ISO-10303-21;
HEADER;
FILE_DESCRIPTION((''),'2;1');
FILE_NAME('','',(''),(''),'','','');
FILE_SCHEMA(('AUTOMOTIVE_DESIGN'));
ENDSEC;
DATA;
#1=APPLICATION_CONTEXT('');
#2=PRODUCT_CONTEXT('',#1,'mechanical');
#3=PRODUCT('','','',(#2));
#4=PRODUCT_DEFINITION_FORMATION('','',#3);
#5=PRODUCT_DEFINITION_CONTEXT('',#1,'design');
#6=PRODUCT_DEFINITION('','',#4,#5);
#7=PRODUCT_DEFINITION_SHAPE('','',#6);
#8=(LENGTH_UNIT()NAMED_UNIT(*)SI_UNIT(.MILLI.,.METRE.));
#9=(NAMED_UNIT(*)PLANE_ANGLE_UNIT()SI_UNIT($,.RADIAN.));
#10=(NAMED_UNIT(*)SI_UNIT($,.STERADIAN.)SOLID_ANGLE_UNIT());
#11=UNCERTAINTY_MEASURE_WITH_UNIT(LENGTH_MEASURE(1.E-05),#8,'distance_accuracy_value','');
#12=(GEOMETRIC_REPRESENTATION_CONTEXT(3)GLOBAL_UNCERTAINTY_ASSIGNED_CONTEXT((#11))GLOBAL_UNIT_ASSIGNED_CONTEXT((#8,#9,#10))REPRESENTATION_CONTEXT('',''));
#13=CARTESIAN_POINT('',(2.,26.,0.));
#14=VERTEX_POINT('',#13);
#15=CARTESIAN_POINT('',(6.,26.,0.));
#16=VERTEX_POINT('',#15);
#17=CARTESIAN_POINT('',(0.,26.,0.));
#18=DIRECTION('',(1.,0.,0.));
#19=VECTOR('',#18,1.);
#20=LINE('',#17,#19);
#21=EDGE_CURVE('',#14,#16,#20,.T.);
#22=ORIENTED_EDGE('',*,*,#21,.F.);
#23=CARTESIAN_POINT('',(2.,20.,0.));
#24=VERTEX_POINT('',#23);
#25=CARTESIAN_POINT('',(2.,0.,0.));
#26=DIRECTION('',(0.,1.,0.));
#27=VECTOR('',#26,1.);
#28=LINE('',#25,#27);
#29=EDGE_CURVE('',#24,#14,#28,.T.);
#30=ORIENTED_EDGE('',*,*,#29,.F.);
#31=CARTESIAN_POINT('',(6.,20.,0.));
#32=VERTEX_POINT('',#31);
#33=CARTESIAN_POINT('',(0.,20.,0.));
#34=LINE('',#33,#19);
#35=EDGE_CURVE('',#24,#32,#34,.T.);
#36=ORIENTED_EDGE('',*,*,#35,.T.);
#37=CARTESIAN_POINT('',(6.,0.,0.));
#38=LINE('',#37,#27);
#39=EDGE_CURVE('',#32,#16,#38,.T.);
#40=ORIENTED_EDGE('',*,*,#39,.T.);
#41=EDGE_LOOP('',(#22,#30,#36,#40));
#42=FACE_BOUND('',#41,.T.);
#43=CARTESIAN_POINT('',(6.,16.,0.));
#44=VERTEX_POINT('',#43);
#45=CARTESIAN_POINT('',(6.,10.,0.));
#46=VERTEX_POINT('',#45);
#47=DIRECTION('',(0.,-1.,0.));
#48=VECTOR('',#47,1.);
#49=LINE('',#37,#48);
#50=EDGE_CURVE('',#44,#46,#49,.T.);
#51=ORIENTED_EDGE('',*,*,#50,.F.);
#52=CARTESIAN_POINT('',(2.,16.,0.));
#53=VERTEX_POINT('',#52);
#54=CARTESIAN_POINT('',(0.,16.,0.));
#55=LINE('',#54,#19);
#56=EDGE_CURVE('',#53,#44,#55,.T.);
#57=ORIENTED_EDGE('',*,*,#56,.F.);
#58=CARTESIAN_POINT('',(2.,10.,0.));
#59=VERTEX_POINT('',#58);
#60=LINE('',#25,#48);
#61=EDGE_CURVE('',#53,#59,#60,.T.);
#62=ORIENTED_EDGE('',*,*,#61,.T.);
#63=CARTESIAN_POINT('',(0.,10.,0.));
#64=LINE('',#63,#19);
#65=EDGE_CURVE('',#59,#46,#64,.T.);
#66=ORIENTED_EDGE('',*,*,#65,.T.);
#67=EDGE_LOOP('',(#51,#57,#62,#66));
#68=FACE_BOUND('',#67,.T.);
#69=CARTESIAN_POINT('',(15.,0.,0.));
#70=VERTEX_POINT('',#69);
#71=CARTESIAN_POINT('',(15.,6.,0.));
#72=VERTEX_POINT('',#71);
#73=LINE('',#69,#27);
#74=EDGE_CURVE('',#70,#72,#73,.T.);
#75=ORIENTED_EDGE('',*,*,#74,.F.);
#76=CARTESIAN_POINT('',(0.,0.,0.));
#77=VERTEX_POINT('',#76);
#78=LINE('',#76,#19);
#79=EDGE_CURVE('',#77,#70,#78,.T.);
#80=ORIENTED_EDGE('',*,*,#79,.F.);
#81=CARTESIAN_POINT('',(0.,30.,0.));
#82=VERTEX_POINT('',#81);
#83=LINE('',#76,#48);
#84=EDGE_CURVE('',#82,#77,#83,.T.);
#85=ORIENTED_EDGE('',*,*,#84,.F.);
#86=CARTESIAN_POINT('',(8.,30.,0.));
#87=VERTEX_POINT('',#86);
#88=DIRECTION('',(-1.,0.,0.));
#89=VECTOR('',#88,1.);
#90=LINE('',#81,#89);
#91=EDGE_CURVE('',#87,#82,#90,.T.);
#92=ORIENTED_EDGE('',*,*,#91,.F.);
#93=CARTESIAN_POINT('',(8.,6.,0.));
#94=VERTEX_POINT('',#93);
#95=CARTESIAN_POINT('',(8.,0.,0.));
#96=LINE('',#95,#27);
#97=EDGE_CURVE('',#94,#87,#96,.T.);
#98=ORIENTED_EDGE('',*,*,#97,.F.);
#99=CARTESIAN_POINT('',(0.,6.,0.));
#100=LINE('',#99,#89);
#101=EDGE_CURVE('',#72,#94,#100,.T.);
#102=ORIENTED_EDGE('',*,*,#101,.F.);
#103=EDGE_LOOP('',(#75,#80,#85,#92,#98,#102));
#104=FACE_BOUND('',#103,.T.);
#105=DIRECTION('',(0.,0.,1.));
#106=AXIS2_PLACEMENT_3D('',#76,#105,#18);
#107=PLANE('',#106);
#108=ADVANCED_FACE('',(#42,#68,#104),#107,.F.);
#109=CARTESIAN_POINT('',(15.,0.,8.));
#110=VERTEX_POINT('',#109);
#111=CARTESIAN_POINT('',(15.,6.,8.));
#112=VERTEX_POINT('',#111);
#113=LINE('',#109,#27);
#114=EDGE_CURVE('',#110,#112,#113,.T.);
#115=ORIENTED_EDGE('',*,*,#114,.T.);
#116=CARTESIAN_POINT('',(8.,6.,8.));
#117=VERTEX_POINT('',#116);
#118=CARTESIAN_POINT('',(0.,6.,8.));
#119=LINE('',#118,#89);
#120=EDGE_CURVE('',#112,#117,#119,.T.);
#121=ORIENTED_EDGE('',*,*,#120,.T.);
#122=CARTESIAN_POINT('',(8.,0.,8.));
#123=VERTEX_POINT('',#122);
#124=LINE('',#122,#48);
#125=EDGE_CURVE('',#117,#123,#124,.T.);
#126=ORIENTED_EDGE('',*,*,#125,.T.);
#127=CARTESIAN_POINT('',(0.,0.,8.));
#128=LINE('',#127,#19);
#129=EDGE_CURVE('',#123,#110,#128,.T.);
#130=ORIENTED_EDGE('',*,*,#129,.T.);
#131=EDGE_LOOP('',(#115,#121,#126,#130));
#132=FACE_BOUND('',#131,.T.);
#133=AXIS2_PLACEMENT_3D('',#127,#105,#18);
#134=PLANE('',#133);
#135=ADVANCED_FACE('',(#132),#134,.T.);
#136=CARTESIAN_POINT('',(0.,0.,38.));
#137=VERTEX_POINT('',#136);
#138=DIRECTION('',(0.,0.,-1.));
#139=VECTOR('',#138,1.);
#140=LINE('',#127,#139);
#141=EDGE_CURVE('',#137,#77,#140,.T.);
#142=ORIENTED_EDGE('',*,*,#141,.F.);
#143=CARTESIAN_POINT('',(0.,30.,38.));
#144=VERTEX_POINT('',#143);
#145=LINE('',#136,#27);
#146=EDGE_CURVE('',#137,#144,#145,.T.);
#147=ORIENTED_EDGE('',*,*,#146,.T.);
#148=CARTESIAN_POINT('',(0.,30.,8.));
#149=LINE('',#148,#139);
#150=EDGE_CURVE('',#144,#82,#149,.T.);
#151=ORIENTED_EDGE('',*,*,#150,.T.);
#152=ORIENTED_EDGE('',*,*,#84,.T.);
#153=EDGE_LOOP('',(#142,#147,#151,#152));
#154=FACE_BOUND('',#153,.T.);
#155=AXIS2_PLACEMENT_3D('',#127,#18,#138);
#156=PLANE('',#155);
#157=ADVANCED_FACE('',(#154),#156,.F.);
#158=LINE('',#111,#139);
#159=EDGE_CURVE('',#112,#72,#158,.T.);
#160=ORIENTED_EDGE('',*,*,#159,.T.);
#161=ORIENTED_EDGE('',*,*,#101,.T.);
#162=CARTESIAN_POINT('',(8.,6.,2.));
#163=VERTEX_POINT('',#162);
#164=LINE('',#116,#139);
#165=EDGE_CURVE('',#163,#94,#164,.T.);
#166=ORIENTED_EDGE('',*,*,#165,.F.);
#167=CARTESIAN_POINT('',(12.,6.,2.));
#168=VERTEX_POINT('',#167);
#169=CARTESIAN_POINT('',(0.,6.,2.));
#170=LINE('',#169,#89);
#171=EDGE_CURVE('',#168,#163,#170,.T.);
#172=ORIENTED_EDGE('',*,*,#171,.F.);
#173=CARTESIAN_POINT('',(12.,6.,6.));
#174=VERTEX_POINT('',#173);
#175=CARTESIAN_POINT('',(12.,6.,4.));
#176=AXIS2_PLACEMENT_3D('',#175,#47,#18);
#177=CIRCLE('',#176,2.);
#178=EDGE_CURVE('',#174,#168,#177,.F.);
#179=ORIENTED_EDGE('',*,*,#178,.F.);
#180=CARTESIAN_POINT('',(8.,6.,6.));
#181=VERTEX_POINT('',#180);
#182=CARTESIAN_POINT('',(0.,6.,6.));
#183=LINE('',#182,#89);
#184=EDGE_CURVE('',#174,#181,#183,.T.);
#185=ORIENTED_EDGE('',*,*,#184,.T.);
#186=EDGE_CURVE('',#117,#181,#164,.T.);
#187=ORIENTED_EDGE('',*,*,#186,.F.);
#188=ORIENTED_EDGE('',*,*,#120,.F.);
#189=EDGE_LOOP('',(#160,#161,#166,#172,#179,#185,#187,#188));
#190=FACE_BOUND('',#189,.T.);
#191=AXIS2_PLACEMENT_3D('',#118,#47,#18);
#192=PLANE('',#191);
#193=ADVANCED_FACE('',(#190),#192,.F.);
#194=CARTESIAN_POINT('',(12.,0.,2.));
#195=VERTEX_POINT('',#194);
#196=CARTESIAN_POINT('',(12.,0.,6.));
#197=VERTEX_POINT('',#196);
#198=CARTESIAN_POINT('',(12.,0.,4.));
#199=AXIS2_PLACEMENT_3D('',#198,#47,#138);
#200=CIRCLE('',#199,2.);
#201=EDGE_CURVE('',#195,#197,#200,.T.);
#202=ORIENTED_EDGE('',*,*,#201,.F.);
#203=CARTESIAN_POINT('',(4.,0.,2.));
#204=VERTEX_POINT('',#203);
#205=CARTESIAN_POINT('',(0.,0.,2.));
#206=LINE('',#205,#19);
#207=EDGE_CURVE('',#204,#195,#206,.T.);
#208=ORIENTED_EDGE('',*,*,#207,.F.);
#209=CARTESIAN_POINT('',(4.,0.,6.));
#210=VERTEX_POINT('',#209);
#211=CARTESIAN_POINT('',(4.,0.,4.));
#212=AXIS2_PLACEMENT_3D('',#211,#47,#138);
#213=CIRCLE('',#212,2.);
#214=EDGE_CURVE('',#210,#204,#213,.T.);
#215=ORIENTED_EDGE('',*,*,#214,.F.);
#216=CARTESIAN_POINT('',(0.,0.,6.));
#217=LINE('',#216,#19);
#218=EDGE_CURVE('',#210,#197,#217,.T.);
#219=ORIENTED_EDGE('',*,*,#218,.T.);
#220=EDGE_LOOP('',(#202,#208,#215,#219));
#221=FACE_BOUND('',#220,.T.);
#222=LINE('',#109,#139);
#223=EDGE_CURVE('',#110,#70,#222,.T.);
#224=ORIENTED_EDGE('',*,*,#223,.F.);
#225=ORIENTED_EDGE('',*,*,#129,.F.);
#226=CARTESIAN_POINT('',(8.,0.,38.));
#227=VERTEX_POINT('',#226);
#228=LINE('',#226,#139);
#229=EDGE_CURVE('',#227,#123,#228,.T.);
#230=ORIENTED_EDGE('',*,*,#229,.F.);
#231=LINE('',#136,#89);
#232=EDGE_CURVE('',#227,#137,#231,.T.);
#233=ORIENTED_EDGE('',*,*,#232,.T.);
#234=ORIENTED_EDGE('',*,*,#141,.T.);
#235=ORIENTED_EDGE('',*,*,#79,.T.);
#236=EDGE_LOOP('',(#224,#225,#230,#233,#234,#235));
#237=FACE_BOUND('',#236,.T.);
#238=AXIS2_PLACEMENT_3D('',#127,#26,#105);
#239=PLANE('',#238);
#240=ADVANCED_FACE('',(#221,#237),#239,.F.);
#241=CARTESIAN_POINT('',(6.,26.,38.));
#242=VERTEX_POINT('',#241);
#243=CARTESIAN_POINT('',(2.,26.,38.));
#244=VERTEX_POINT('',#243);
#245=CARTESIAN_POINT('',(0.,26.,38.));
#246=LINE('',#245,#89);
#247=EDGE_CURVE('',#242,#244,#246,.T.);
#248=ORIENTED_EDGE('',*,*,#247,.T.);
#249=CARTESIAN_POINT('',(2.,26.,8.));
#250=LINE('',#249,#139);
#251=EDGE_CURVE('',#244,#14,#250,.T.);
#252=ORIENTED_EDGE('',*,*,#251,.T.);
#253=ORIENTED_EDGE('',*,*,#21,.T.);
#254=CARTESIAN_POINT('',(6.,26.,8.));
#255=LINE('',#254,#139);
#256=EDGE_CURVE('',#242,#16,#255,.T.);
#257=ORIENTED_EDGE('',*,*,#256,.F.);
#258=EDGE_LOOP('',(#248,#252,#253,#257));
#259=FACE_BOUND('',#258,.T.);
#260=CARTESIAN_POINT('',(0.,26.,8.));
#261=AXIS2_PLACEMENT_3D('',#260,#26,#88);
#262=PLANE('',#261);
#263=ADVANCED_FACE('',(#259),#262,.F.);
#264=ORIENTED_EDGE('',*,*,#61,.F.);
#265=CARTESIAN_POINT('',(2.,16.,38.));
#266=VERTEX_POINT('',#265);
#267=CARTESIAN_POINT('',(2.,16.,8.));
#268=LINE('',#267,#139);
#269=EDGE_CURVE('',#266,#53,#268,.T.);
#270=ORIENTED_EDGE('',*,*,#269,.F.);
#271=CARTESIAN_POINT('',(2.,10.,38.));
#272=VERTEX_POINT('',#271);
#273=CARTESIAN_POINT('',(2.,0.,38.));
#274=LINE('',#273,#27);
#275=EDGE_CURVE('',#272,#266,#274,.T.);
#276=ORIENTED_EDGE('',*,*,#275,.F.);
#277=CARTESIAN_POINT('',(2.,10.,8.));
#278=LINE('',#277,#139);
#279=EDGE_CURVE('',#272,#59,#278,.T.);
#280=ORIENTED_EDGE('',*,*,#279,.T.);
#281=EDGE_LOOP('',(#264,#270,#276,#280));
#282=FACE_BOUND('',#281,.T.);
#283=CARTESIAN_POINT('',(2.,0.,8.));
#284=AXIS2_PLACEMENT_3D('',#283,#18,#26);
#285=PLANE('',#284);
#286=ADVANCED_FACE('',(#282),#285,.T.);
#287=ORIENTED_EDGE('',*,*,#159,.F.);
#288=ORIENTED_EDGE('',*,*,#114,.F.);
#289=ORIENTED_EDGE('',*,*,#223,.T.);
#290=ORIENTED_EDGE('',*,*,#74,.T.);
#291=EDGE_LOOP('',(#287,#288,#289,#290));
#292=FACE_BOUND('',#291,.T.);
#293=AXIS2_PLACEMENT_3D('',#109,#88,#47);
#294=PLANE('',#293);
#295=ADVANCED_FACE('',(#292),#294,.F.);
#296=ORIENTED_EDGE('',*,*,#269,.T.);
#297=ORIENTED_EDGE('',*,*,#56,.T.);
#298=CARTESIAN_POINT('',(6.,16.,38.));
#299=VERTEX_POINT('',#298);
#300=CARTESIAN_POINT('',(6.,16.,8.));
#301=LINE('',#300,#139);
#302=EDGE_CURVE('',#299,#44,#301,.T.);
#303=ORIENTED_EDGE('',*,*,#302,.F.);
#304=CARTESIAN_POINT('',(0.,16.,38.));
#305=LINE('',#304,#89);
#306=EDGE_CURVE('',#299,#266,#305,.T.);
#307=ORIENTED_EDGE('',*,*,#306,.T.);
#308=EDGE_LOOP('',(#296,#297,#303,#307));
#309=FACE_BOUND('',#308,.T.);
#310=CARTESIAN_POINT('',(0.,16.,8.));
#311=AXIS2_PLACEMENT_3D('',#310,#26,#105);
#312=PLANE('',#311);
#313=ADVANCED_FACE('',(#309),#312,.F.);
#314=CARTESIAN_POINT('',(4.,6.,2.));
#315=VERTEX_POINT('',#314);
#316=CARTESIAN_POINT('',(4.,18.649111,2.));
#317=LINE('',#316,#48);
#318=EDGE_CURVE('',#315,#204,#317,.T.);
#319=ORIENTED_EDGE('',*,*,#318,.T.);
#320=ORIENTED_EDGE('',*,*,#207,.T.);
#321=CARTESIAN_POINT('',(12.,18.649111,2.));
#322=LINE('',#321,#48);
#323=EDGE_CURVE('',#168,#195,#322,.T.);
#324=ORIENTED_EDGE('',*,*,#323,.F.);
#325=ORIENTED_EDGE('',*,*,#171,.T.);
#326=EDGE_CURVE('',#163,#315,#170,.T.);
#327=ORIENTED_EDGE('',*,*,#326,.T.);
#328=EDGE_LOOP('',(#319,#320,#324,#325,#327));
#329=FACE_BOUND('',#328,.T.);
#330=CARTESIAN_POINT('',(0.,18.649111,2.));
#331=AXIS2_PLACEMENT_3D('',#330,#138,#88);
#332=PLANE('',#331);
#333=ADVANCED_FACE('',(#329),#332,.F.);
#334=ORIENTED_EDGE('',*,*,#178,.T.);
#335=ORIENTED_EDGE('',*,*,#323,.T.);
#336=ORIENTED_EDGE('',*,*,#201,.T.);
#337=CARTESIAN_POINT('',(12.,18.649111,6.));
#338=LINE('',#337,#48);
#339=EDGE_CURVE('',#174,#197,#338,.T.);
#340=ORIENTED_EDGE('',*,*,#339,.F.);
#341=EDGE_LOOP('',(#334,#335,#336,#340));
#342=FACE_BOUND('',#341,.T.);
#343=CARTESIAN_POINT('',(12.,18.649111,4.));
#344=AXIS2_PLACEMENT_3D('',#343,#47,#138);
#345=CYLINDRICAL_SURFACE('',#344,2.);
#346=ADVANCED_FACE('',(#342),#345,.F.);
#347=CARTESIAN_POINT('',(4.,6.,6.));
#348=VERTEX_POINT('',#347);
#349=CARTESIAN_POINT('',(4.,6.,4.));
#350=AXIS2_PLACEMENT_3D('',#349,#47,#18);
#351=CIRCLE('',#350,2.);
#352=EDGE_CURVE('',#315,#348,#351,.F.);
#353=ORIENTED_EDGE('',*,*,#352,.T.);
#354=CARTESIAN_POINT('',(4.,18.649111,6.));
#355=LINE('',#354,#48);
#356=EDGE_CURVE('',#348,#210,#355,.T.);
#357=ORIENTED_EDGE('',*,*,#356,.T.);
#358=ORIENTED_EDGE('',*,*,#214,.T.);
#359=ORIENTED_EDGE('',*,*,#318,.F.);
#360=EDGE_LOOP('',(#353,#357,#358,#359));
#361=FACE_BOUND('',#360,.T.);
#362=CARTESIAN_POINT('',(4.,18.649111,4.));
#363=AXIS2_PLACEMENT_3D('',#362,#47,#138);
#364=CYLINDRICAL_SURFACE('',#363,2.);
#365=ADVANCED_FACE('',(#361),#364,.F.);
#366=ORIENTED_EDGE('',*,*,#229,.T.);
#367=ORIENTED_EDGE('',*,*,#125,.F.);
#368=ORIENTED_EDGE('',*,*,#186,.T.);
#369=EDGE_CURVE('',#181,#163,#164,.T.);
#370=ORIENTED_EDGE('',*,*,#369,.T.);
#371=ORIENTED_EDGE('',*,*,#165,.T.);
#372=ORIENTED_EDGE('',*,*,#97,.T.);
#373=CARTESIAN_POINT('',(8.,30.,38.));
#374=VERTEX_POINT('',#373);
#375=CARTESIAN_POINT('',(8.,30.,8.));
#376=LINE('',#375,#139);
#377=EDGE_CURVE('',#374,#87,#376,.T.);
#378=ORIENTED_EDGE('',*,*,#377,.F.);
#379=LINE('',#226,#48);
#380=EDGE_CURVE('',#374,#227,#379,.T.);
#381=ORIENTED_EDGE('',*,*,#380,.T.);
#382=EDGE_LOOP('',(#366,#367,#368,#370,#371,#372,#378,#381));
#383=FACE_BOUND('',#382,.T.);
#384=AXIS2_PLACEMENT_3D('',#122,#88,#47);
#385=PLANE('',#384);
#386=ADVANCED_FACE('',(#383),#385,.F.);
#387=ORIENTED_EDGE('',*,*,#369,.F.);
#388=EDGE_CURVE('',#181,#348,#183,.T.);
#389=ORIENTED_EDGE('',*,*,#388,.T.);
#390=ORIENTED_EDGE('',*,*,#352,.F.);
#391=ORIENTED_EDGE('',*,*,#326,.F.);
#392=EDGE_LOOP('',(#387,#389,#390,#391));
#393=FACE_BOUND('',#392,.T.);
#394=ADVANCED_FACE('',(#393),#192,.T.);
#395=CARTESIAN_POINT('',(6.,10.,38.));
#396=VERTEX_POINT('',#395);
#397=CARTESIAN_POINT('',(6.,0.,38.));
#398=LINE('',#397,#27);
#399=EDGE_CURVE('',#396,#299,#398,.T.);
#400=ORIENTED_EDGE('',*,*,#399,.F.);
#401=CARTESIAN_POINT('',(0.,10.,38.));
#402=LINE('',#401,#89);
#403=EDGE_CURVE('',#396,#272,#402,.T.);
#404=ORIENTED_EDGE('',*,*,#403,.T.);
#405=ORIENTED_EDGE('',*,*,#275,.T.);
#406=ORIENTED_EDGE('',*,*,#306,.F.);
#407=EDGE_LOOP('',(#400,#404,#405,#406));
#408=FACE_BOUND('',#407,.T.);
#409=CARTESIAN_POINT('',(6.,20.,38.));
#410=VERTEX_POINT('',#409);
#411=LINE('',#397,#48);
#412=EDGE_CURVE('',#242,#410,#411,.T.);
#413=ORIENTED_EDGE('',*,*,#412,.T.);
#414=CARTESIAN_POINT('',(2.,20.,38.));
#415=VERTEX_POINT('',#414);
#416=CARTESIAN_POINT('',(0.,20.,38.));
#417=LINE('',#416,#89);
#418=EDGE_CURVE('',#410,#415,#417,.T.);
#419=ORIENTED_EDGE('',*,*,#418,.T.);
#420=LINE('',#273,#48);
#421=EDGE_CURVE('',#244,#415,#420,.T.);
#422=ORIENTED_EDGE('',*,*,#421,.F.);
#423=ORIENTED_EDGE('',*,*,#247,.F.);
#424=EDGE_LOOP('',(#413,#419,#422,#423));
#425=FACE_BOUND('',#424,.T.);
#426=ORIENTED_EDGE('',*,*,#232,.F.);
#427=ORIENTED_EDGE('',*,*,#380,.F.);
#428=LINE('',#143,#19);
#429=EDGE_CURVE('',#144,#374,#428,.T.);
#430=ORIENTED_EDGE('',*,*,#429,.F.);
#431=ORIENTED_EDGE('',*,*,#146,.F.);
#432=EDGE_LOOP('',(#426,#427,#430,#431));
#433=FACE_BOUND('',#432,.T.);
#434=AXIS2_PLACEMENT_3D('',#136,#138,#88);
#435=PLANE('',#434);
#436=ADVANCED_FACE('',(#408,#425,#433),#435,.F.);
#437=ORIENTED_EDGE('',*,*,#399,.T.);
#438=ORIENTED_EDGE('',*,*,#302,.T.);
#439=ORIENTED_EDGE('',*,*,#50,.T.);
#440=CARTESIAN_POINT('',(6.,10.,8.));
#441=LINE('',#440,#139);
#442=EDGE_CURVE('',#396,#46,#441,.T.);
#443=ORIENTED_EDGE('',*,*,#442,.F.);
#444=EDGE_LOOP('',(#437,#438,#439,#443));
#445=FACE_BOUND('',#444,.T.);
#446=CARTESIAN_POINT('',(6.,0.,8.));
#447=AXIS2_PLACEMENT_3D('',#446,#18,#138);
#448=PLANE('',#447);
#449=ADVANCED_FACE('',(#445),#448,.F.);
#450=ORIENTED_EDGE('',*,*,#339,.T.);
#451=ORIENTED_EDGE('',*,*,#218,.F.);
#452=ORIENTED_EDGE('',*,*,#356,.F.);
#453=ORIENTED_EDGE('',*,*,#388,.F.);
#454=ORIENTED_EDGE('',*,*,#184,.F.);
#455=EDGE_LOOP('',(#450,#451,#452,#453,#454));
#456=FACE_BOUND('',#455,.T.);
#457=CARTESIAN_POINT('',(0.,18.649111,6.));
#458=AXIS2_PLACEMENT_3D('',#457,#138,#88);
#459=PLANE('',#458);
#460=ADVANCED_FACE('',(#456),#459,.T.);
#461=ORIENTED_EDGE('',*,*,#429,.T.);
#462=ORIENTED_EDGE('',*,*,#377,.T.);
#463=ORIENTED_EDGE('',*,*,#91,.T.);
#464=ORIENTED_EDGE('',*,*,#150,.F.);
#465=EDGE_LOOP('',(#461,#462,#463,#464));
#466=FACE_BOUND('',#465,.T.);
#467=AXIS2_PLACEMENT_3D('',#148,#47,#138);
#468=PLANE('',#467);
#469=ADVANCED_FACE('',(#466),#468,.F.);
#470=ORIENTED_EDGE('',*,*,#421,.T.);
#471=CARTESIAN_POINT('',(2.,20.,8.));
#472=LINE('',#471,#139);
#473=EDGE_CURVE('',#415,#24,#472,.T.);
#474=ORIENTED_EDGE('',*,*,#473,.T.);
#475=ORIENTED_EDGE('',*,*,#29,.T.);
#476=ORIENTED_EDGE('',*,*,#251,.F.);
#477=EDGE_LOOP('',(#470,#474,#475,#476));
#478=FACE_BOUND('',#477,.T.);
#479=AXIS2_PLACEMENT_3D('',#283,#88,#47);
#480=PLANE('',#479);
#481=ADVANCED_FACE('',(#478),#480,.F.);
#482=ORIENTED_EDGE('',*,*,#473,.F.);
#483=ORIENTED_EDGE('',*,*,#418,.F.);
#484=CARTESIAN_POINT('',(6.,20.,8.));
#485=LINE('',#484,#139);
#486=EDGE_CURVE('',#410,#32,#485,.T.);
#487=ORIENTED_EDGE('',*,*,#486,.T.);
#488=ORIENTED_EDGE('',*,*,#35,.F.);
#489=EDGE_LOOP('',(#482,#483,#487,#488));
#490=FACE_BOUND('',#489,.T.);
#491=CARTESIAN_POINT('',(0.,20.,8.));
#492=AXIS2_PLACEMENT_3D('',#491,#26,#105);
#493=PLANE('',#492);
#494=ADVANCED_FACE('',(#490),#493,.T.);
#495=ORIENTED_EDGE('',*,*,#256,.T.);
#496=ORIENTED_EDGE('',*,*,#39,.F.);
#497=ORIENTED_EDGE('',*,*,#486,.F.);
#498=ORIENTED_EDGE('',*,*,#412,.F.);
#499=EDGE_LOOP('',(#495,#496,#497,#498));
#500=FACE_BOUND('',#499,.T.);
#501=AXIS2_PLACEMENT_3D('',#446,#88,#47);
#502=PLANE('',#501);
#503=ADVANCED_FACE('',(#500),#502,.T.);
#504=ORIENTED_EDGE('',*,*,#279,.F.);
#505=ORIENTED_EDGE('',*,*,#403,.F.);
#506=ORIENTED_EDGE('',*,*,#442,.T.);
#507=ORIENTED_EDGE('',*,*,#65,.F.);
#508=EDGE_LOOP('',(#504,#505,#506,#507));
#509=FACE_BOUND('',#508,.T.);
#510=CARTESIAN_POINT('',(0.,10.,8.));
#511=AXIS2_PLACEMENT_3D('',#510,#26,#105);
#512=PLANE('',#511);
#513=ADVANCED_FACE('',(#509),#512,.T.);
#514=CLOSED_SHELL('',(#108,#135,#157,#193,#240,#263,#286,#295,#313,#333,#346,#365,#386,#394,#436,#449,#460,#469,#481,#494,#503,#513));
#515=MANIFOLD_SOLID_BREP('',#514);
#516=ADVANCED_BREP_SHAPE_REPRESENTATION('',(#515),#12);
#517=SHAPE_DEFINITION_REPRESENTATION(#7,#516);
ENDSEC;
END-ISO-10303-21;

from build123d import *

# Parameters (mm, degrees)
SKETCH_1_W          = 4
SKETCH_1_H          = 6
EXTRUDE_1_DEPTH     = 8
EXTRUDE_START       = 8
SKETCH_1_3_W        = 4
SKETCH_1_3_H        = 6
EXTRUDE_2_DEPTH     = 30
CUT_EXTRUDE_1_DEPTH = 6


with BuildPart() as part:
    # Эскиз1 → Бобышка-Вытянуть1 (new body)
    with BuildSketch(Plane.XY):
        Polygon((0, 30), (0, 0), (15, 0), (15, 6), (8, 6), (8, 30), align=None)
        with Locations((4, 23)):
            Rectangle(SKETCH_1_W, SKETCH_1_H, mode=Mode.SUBTRACT)
        with Locations((4, 13)):
            Rectangle(SKETCH_1_W, SKETCH_1_H, mode=Mode.SUBTRACT)
    extrude(amount=EXTRUDE_1_DEPTH)

    # Эскиз1<3> → Бобышка-Вытянуть2 (add)
    with BuildSketch(Plane.XY.offset(EXTRUDE_START)):
        Polygon((8, 30), (4, 30), (4, 26), (6, 26), (6, 20), (4, 20), (4, 16), (6, 16), (6, 10), (4, 10), (4, 6), (8, 6), align=None)
        Polygon((4, 30), (0, 30), (0, 6), (4, 6), (4, 10), (2, 10), (2, 16), (4, 16), (4, 20), (2, 20), (2, 26), (4, 26), align=None)
        with Locations((2, 3)):
            Rectangle(SKETCH_1_3_W, SKETCH_1_3_H)
        with Locations((6, 3)):
            Rectangle(SKETCH_1_3_W, SKETCH_1_3_H)
    extrude(amount=EXTRUDE_2_DEPTH)

    # Эскиз2 → Вырез-Вытянуть1 (cut)
    with BuildSketch(Plane.XZ):
        with BuildLine():
            Line((4, 2), (12, 2))
            ThreePointArc((12, 2), (14, 4), (12, 6))
            Line((12, 6), (4, 6))
            ThreePointArc((4, 6), (2, 4), (4, 2))
        make_face()
    extrude(amount=-CUT_EXTRUDE_1_DEPTH, mode=Mode.SUBTRACT)


solid = part.part
